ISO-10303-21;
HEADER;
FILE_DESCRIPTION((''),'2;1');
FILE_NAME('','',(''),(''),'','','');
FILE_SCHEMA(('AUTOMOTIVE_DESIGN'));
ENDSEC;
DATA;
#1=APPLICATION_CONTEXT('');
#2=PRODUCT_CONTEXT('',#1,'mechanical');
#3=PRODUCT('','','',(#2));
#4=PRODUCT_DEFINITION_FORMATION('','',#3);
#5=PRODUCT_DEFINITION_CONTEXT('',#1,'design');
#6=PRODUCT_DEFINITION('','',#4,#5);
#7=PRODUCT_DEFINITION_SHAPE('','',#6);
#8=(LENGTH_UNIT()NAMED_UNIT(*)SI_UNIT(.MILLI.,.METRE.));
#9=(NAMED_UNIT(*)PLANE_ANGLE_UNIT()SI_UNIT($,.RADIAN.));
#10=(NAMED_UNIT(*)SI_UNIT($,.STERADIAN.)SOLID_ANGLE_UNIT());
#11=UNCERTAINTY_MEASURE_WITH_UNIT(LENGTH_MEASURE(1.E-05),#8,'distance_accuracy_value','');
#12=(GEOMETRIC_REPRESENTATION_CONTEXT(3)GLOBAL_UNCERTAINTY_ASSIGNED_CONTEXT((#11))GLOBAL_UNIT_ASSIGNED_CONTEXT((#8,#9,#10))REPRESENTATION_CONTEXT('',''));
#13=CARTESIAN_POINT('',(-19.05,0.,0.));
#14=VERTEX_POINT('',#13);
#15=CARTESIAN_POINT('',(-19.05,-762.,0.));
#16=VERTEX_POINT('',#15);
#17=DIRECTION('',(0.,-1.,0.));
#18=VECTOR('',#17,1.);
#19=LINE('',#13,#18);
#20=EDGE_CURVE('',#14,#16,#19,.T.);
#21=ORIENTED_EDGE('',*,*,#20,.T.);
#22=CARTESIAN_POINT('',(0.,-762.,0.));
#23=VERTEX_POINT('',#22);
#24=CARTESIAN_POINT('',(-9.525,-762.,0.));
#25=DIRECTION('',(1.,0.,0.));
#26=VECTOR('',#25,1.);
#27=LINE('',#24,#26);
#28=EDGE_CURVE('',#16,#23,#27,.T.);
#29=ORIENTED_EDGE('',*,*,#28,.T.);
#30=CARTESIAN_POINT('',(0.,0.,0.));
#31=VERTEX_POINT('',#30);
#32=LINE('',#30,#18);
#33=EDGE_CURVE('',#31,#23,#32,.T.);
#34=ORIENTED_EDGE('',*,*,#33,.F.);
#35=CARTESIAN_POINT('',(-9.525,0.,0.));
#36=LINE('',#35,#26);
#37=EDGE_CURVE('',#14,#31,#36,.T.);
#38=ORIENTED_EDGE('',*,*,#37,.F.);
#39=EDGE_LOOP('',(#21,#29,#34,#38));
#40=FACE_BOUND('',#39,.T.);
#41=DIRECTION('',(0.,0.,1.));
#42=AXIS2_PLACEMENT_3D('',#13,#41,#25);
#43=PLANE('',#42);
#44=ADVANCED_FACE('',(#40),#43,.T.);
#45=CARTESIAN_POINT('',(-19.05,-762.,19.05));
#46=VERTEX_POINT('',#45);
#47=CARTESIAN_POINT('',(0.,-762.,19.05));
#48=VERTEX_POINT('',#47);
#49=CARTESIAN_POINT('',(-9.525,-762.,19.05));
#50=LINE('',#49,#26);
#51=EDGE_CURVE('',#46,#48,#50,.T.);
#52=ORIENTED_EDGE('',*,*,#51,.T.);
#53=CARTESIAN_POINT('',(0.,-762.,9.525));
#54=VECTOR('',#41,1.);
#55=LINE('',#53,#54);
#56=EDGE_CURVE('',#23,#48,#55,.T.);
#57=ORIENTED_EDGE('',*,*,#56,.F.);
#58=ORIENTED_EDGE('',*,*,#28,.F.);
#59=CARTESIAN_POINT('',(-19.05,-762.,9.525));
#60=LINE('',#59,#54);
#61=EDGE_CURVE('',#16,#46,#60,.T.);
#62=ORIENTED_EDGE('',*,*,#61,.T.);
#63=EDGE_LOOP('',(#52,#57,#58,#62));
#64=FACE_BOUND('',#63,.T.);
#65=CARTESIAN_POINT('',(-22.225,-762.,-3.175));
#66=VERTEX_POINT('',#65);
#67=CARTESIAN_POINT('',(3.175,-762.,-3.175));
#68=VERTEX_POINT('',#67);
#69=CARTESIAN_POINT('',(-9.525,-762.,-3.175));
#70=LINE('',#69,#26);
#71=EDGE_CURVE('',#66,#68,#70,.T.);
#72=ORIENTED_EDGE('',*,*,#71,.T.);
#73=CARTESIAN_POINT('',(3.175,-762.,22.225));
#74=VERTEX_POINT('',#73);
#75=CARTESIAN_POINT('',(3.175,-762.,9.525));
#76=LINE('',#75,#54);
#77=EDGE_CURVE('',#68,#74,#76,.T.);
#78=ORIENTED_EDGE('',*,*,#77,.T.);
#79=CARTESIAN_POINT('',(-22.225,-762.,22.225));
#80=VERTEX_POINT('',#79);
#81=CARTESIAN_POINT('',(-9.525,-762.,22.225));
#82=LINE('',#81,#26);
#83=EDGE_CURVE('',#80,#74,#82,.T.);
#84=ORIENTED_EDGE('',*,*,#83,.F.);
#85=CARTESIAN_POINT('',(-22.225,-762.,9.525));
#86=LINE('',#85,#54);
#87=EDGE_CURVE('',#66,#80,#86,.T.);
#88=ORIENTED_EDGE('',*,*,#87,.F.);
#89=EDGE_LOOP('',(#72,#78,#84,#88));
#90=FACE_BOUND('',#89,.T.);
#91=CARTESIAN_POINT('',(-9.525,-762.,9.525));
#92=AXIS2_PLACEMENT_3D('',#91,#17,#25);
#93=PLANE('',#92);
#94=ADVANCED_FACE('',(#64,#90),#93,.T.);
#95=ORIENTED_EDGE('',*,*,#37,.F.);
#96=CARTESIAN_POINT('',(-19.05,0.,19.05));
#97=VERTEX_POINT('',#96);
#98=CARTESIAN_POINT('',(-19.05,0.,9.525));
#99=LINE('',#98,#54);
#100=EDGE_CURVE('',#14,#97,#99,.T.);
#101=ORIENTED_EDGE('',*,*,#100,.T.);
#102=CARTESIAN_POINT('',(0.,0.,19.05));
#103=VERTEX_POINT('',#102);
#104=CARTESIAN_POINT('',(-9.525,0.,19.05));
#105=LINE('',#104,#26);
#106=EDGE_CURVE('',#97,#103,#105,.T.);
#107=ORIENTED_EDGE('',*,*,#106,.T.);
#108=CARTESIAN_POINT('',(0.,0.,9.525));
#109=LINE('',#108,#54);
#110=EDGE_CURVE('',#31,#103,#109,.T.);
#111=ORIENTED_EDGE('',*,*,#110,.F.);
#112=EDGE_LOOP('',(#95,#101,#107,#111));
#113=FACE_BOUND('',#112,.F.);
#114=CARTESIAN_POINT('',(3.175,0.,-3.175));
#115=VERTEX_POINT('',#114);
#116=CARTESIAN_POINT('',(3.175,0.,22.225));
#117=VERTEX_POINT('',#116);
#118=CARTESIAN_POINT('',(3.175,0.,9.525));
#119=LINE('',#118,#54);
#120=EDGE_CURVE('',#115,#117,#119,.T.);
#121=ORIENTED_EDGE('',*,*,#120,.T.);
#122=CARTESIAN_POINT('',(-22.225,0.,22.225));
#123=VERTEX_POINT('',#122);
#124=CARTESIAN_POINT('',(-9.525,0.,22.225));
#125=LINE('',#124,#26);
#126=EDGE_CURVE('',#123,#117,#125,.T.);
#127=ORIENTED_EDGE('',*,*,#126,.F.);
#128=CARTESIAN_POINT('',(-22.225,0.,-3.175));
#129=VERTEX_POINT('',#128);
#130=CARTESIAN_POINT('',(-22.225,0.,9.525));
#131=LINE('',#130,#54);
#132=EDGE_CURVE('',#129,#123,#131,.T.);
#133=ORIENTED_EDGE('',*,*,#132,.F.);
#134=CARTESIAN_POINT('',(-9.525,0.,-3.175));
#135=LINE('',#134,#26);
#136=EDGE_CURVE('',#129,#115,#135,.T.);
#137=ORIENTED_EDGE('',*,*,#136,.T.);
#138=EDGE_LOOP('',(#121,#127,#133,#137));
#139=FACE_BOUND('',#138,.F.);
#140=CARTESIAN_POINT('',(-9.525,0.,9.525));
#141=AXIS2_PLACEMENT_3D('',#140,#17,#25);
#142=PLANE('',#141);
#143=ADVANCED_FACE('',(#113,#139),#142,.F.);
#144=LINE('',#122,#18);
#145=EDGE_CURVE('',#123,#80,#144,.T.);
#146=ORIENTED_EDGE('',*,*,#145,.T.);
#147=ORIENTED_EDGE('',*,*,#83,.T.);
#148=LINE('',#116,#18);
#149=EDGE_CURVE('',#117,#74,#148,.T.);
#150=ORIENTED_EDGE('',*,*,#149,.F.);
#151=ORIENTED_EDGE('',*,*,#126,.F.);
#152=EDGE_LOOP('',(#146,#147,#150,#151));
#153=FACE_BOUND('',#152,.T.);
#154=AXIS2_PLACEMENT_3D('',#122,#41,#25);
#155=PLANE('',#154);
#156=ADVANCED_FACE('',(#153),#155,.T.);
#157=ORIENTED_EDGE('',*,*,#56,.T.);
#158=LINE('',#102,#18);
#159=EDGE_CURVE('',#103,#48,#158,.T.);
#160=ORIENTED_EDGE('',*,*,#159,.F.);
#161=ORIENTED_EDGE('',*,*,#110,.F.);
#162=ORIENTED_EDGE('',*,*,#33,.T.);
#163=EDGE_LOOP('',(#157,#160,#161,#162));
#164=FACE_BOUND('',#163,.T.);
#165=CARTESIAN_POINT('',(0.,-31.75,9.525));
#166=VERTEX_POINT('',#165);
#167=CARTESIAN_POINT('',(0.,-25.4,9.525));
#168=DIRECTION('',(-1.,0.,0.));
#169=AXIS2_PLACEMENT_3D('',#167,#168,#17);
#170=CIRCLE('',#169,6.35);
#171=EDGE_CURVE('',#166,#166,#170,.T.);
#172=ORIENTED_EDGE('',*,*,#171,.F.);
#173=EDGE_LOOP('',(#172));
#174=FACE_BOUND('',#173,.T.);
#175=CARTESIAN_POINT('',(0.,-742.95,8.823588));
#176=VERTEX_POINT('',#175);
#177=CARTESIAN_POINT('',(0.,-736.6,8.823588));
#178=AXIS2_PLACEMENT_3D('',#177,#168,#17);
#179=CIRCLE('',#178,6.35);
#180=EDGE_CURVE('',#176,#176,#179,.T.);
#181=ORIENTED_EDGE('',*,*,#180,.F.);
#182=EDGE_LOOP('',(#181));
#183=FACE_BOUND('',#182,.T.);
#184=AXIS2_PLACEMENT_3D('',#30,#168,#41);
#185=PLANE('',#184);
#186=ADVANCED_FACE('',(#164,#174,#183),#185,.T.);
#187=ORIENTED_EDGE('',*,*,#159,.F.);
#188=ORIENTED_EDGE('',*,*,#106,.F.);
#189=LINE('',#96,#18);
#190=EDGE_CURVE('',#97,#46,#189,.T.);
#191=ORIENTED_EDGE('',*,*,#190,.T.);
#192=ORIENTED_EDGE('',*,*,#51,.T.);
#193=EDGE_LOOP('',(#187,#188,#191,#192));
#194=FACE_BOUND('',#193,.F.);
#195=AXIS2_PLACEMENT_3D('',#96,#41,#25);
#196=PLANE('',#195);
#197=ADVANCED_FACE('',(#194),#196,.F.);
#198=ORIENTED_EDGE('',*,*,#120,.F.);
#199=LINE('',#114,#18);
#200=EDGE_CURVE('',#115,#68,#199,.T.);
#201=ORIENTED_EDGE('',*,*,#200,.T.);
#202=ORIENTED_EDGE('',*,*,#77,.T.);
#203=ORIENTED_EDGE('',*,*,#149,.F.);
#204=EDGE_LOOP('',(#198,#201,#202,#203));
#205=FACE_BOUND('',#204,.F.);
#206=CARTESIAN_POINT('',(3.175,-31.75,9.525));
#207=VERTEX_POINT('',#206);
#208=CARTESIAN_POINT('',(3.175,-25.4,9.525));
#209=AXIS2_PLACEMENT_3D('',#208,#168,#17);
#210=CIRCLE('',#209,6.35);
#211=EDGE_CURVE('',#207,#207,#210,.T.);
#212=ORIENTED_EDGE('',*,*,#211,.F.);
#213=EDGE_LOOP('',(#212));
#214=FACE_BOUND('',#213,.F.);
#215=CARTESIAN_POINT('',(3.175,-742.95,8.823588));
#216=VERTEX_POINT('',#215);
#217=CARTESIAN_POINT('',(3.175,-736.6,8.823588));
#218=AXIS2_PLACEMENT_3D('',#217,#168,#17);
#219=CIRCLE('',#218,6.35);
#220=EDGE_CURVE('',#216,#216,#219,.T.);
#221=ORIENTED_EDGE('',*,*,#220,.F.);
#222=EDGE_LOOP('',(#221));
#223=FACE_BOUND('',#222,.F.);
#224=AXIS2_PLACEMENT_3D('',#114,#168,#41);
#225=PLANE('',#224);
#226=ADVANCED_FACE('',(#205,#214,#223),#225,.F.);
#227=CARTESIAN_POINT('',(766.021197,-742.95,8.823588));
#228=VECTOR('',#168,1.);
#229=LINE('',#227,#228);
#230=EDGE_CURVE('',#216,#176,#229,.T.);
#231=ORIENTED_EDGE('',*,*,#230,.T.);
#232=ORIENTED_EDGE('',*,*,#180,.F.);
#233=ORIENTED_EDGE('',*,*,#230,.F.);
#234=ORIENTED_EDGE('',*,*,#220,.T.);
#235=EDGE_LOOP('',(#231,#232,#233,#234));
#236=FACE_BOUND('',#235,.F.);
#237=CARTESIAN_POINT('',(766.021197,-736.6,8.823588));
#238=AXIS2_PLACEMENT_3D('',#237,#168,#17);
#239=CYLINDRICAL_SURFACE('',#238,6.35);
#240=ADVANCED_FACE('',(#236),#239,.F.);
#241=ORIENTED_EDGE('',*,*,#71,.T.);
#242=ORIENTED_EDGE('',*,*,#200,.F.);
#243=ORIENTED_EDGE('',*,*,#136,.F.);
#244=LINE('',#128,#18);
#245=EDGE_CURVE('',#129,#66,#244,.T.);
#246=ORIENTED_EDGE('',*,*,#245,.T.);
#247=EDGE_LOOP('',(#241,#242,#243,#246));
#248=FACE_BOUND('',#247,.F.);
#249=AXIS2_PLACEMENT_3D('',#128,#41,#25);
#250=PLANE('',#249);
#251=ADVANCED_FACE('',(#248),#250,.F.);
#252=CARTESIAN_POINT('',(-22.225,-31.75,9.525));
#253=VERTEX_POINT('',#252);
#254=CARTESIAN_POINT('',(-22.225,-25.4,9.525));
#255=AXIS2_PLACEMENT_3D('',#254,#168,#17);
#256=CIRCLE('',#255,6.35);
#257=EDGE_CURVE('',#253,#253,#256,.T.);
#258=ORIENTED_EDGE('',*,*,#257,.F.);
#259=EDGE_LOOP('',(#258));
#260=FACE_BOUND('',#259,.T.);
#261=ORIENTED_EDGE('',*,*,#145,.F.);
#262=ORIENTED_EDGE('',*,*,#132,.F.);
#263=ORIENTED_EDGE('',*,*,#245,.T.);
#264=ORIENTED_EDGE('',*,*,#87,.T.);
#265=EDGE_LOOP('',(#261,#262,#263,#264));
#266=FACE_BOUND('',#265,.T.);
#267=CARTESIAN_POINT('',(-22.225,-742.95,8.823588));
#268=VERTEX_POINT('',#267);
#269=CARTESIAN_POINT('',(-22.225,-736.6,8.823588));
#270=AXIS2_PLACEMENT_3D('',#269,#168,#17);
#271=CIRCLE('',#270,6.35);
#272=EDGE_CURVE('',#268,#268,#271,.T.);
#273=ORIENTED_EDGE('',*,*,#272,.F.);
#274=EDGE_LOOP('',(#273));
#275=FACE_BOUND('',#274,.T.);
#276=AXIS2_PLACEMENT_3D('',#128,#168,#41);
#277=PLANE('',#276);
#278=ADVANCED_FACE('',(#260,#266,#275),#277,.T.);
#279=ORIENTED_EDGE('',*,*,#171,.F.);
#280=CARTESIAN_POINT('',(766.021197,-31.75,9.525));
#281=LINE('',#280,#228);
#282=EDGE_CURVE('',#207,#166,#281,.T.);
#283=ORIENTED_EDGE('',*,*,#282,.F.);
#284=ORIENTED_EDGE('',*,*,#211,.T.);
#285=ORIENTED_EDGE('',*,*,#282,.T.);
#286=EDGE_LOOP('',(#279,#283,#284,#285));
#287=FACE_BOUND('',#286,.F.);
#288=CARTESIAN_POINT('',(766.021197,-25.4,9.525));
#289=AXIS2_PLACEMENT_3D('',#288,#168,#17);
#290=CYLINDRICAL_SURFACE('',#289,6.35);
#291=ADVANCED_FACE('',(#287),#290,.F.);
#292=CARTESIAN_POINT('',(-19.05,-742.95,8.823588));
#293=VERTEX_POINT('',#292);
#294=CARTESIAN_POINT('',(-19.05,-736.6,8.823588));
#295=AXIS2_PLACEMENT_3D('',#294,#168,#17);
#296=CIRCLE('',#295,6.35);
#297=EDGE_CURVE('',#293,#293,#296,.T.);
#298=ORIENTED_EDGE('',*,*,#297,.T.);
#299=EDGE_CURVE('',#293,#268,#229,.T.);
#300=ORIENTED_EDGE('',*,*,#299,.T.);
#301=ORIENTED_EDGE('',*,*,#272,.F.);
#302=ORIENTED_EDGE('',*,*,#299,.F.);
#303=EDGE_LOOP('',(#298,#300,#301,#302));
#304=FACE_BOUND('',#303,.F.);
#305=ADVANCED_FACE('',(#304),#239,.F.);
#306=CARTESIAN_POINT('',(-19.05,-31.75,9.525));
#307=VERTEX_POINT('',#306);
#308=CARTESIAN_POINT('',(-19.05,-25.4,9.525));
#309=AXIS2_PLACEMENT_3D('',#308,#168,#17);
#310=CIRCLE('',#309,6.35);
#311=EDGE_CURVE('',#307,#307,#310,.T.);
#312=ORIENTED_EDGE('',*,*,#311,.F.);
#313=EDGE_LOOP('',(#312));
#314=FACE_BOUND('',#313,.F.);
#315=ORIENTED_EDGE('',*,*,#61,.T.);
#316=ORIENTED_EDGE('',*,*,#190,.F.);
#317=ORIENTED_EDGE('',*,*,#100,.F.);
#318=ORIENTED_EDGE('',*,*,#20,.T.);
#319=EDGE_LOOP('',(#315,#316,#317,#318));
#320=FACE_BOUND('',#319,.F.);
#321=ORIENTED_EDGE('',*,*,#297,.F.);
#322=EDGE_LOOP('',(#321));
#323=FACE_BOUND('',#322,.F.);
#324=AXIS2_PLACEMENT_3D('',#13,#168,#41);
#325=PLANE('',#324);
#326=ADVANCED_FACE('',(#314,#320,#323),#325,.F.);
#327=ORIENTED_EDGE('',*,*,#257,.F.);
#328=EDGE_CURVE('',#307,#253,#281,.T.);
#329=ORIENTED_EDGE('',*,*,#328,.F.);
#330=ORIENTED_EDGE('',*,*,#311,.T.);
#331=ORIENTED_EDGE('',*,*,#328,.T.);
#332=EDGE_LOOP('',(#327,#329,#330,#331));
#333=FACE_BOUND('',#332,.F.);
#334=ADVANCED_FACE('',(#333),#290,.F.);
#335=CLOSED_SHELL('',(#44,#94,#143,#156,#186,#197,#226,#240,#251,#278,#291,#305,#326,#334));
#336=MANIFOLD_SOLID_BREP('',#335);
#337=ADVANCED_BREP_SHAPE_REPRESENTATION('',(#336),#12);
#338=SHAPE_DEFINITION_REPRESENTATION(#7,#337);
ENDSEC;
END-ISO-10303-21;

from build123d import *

# Parameters (mm, degrees)
F0_W     = 25.4
F0_H     = 25.4
F0_W_2   = 19.05
F0_H_2   = 19.05
F1_DEPTH = 762
F3_D     = 12.7
F5_D     = 12.7


with BuildPart() as f1:
    # F0 (on Front) → F1 (new body)
    with BuildSketch(Plane.XZ):
        with Locations((-9.525, 9.525)):
            Rectangle(F0_W, F0_H)
        with Locations((-9.525, 9.525)):
            Rectangle(F0_W_2, F0_H_2, mode=Mode.SUBTRACT)
    extrude(amount=F1_DEPTH)

    # F3 (through all)
    with Locations(Plane.YZ.offset(3.175)):
        with Locations((-736.6, 8.823588)):
            Hole(F3_D / 2)

    # F5 (through all)
    with Locations(Plane.YZ.offset(3.175)):
        with Locations((-25.4, 9.525)):
            Hole(F5_D / 2)


solid = f1.part
